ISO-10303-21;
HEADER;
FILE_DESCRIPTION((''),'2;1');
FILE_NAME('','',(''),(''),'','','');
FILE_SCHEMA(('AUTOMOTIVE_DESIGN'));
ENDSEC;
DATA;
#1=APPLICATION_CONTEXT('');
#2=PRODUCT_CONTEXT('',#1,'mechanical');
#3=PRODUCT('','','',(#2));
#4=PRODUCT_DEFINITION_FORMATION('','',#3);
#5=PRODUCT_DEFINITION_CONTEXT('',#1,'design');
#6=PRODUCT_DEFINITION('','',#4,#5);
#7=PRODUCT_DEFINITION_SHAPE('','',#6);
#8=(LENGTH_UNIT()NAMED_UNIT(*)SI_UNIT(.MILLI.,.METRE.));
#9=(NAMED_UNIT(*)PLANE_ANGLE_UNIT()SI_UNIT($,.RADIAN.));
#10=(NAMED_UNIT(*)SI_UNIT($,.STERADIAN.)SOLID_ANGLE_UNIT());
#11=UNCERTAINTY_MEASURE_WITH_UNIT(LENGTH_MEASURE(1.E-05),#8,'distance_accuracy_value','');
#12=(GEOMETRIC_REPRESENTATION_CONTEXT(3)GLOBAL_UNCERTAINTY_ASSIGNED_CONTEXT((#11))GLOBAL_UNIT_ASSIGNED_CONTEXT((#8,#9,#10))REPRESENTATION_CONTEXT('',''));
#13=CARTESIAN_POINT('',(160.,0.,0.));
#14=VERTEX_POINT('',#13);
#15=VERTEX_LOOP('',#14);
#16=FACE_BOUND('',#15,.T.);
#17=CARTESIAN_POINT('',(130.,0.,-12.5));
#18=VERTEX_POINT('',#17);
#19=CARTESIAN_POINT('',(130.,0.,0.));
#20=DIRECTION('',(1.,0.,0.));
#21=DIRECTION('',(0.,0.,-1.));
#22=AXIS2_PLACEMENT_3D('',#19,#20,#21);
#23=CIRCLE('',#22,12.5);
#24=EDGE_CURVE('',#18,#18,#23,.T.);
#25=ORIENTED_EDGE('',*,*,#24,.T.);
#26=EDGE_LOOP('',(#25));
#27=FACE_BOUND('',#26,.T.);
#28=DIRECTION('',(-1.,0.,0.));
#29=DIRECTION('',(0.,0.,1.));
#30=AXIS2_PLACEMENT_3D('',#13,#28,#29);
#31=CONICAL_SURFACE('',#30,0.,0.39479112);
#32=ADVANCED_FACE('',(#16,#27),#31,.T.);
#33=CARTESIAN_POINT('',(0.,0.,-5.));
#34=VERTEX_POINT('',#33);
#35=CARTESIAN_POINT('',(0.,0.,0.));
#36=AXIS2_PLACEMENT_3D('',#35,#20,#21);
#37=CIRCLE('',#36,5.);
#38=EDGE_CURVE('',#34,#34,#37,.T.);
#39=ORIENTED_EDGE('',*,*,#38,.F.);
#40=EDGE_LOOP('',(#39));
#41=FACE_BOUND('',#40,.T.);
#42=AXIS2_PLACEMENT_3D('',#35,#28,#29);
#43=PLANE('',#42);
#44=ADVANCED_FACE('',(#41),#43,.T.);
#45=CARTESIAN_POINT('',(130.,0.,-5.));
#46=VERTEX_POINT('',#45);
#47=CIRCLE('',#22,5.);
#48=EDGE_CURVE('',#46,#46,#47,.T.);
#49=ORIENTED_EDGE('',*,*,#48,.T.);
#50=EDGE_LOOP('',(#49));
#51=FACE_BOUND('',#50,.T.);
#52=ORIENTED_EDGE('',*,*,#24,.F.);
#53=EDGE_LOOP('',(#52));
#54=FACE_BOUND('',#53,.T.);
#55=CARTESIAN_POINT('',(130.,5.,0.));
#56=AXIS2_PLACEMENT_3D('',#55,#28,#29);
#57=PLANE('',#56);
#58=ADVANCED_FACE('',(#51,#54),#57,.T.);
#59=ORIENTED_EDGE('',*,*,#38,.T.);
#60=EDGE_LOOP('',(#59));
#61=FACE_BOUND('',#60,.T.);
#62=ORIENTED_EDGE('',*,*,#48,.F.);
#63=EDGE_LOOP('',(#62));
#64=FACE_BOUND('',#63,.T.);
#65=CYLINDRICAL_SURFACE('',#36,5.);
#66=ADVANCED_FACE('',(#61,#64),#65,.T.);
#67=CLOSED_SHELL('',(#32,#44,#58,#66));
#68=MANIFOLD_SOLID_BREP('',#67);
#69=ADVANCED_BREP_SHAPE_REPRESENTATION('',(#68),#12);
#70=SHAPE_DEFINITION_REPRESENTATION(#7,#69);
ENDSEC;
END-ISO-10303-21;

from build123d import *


with BuildPart() as part:
    # Sketch1 → Revolve1 (revolve)
    with BuildSketch(Plane.XY, mode=Mode.PRIVATE) as revolve1_sk:
        Polygon((0, 0), (0, 5), (130, 5), (130, 12.5), (160, 0), align=None)
    revolve(revolve1_sk.sketch.rotate(Axis((0, 0, 0), (-1, 0, 0)), 90), axis=Axis((0, 0, 0), (-1, 0, 0)))


solid = part.part
